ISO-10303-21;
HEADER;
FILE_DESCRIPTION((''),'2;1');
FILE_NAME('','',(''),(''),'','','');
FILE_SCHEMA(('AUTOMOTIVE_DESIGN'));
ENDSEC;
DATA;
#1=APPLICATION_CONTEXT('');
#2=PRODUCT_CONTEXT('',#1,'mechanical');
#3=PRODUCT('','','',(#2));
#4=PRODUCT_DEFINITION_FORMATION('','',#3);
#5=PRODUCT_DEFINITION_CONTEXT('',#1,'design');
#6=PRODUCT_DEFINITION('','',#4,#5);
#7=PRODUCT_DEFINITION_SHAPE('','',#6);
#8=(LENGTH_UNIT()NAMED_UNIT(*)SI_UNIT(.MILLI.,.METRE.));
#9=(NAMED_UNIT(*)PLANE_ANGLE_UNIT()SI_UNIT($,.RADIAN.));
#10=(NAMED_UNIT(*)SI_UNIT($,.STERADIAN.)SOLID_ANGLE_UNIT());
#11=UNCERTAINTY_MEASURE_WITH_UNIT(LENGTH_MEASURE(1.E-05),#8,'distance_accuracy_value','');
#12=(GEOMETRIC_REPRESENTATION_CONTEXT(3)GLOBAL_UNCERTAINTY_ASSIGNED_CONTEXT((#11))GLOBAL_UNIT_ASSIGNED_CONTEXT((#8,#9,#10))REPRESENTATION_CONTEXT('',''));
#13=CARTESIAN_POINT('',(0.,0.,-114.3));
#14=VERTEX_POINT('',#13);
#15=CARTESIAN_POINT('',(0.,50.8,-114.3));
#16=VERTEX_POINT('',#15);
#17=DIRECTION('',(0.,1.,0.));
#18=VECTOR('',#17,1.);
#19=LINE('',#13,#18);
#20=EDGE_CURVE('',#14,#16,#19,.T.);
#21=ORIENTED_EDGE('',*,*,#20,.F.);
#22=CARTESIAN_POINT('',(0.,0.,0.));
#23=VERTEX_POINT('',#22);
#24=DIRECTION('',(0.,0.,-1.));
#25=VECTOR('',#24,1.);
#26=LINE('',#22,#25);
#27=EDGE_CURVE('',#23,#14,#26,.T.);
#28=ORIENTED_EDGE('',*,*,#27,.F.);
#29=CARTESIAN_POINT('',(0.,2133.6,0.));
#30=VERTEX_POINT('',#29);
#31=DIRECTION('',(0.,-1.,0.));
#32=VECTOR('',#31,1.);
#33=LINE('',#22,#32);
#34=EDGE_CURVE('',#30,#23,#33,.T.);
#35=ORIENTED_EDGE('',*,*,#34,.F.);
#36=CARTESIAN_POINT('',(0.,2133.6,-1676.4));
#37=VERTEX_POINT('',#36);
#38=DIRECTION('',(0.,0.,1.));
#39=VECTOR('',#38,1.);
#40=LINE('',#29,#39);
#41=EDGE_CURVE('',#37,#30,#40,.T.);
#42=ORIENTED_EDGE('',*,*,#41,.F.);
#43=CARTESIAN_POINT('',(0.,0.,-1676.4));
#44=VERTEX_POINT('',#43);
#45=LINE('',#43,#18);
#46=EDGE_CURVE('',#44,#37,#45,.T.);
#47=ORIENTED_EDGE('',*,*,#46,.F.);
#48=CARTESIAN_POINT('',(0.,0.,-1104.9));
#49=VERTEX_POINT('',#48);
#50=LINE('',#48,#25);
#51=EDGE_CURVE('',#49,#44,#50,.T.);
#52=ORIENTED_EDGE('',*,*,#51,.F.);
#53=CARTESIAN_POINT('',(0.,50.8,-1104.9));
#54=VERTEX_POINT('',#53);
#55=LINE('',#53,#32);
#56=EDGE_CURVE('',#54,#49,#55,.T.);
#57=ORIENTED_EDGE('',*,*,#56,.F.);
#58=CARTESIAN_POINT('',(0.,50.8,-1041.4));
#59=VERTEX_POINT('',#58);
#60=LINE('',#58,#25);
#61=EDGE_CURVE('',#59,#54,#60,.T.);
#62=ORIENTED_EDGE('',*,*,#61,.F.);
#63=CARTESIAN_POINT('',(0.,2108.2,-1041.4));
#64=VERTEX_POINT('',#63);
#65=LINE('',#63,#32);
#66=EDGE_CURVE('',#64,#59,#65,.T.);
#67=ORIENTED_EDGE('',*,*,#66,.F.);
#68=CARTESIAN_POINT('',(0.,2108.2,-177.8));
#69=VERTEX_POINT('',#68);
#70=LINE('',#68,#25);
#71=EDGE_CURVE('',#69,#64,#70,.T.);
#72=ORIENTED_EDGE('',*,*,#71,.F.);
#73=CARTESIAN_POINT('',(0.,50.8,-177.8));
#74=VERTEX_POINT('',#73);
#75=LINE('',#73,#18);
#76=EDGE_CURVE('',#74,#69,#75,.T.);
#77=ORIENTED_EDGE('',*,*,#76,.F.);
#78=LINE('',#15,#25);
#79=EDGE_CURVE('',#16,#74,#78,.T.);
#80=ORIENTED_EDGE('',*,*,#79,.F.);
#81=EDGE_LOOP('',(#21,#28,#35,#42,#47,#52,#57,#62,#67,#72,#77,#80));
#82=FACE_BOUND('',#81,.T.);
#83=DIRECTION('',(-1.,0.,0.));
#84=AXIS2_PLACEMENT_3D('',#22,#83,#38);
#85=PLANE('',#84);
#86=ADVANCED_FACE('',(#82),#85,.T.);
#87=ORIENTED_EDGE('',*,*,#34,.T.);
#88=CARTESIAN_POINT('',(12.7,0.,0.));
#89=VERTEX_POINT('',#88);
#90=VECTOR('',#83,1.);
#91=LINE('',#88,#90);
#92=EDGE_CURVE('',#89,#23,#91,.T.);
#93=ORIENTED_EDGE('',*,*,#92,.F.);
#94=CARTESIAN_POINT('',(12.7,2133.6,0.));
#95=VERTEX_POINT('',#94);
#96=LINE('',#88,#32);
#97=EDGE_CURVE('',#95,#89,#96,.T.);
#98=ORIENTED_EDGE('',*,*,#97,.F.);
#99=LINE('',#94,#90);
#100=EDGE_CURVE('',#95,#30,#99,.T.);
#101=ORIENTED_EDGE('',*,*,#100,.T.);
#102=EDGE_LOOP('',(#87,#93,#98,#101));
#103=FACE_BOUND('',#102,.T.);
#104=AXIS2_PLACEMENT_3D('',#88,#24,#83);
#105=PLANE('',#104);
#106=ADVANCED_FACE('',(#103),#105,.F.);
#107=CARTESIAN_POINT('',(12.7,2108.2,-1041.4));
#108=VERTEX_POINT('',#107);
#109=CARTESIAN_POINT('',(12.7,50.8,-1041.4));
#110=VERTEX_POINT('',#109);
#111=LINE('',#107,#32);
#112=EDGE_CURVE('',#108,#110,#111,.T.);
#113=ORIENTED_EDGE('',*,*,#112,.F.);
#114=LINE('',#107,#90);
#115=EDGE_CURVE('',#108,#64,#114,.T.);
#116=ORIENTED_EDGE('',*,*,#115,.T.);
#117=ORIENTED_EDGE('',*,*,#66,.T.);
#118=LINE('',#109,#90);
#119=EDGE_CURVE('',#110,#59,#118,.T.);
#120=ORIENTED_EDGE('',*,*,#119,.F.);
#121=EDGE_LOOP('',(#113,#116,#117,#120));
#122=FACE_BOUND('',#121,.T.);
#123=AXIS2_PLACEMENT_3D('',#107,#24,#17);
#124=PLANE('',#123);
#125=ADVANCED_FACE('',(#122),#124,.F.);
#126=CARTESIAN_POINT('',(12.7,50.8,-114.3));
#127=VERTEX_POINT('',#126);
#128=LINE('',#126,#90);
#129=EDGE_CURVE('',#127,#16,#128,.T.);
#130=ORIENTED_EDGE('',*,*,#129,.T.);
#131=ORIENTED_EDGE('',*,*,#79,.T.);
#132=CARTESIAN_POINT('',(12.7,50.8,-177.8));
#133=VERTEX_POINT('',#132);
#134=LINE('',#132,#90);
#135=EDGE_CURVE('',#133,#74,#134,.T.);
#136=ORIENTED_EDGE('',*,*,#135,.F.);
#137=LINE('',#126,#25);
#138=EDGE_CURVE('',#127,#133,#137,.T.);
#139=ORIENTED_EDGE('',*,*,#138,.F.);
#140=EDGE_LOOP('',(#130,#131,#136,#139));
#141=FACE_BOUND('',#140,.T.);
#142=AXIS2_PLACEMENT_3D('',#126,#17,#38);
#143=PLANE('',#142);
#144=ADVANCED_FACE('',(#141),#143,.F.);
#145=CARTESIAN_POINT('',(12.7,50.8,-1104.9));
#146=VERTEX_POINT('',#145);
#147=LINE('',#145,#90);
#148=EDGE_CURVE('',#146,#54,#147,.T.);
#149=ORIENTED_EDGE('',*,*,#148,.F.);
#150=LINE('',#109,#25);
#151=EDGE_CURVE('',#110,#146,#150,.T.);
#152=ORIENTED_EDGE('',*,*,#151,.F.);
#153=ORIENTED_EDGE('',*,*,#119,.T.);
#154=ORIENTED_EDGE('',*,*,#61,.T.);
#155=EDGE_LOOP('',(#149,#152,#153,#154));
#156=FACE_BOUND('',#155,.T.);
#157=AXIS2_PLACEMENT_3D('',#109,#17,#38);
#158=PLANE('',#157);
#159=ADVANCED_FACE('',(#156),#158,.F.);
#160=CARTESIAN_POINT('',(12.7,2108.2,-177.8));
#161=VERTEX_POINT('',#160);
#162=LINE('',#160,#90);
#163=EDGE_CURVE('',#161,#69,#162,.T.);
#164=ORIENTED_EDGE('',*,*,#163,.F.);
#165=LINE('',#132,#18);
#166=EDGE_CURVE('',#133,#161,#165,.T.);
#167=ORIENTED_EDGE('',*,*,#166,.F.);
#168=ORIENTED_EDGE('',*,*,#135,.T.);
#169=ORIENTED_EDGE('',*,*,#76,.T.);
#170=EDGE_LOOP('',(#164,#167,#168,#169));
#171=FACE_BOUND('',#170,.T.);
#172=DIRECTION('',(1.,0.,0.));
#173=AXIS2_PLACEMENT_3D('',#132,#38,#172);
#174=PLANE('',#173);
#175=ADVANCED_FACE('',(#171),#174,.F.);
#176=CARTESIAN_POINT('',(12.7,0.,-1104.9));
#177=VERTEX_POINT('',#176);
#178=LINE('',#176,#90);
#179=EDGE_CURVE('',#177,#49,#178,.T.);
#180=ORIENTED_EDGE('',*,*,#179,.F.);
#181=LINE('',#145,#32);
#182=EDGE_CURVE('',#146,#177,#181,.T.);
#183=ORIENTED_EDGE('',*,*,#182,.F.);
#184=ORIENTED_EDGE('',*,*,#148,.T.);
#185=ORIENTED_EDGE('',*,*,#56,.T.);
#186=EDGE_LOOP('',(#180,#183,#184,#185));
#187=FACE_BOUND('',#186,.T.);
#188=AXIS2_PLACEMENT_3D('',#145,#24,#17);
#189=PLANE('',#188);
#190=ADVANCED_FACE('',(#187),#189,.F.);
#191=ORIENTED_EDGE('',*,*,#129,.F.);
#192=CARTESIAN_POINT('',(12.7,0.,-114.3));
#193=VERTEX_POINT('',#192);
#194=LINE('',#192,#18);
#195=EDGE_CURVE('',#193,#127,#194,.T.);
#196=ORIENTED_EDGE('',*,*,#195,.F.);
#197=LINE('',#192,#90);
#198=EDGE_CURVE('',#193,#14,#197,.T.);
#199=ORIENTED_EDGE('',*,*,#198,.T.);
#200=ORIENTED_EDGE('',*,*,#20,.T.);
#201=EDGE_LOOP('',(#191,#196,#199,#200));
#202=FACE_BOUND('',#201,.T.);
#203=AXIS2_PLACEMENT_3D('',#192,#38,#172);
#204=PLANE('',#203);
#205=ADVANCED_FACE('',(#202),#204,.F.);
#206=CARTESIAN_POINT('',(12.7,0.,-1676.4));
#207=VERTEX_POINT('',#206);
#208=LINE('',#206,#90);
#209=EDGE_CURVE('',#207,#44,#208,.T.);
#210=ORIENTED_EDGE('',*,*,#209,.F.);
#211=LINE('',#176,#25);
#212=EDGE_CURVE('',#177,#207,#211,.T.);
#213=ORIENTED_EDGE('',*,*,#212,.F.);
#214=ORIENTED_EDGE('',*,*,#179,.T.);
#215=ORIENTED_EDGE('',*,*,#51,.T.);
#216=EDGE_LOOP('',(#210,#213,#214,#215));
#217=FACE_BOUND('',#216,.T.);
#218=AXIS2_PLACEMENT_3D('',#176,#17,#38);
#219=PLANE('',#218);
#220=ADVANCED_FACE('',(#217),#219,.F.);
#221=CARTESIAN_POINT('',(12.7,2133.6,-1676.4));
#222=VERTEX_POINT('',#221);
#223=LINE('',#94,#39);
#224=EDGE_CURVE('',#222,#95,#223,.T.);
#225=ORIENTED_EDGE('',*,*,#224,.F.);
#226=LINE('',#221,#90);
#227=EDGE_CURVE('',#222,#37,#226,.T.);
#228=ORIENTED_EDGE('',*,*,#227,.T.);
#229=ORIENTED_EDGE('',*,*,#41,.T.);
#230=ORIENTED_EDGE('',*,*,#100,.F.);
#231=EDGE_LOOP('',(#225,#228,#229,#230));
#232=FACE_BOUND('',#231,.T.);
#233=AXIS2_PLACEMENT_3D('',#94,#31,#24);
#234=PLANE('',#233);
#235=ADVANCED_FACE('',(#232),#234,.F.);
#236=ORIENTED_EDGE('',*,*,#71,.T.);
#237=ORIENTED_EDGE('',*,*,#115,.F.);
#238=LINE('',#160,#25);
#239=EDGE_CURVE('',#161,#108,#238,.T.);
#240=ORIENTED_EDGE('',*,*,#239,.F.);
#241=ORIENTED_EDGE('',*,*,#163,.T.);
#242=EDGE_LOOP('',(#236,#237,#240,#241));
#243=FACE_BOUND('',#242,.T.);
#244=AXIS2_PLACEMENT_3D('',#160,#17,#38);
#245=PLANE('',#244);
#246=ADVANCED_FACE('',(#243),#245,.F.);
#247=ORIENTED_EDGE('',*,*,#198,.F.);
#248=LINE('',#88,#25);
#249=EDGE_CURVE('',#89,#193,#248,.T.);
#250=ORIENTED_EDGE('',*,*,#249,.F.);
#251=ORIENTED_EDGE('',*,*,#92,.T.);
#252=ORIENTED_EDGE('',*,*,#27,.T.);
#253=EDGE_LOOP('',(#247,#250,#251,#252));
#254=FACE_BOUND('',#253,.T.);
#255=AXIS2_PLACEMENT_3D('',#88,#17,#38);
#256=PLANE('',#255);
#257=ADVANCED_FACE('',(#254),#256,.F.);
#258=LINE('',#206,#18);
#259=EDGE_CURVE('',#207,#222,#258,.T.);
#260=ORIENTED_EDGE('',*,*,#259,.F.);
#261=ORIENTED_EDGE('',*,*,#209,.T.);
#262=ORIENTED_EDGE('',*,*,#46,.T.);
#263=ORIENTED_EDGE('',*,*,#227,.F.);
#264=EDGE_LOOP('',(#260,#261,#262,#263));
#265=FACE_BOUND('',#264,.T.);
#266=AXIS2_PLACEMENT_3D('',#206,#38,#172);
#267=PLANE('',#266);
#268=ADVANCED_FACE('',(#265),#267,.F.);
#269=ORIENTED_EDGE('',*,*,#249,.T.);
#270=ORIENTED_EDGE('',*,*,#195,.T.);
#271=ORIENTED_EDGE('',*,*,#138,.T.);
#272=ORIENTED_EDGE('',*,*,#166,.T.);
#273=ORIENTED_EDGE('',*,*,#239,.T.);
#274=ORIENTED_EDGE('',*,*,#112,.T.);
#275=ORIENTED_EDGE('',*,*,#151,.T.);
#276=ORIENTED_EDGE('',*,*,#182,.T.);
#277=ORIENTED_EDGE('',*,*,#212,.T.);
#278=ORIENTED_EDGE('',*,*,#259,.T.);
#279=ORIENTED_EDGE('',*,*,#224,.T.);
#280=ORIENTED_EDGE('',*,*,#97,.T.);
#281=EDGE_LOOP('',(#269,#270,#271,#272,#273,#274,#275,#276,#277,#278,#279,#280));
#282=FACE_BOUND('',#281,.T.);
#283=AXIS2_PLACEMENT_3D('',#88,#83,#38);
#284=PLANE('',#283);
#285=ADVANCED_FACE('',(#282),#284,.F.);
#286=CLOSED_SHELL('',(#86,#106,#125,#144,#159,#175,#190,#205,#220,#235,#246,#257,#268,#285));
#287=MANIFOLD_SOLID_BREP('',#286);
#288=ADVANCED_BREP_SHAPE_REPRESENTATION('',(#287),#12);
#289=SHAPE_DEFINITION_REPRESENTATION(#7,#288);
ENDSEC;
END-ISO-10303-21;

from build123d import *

# Parameters (mm, degrees)
BOSS_EXTRUDE1_DEPTH = 12.7


with BuildPart() as part:
    # Sketch1 → Boss-Extrude1 (new body)
    with BuildSketch(Plane(origin=(0, 0, 0), x_dir=(0, 0, -1), z_dir=(1, 0, 0))):
        Polygon((0, 0), (114.3, 0), (114.3, 50.8), (177.8, 50.8), (177.8, 2108.2), (1041.4, 2108.2), (1041.4, 50.8), (1104.9, 50.8), (1104.9, 0), (1676.4, 0), (1676.4, 2133.6), (0, 2133.6), align=None)
    extrude(amount=BOSS_EXTRUDE1_DEPTH)


solid = part.part
